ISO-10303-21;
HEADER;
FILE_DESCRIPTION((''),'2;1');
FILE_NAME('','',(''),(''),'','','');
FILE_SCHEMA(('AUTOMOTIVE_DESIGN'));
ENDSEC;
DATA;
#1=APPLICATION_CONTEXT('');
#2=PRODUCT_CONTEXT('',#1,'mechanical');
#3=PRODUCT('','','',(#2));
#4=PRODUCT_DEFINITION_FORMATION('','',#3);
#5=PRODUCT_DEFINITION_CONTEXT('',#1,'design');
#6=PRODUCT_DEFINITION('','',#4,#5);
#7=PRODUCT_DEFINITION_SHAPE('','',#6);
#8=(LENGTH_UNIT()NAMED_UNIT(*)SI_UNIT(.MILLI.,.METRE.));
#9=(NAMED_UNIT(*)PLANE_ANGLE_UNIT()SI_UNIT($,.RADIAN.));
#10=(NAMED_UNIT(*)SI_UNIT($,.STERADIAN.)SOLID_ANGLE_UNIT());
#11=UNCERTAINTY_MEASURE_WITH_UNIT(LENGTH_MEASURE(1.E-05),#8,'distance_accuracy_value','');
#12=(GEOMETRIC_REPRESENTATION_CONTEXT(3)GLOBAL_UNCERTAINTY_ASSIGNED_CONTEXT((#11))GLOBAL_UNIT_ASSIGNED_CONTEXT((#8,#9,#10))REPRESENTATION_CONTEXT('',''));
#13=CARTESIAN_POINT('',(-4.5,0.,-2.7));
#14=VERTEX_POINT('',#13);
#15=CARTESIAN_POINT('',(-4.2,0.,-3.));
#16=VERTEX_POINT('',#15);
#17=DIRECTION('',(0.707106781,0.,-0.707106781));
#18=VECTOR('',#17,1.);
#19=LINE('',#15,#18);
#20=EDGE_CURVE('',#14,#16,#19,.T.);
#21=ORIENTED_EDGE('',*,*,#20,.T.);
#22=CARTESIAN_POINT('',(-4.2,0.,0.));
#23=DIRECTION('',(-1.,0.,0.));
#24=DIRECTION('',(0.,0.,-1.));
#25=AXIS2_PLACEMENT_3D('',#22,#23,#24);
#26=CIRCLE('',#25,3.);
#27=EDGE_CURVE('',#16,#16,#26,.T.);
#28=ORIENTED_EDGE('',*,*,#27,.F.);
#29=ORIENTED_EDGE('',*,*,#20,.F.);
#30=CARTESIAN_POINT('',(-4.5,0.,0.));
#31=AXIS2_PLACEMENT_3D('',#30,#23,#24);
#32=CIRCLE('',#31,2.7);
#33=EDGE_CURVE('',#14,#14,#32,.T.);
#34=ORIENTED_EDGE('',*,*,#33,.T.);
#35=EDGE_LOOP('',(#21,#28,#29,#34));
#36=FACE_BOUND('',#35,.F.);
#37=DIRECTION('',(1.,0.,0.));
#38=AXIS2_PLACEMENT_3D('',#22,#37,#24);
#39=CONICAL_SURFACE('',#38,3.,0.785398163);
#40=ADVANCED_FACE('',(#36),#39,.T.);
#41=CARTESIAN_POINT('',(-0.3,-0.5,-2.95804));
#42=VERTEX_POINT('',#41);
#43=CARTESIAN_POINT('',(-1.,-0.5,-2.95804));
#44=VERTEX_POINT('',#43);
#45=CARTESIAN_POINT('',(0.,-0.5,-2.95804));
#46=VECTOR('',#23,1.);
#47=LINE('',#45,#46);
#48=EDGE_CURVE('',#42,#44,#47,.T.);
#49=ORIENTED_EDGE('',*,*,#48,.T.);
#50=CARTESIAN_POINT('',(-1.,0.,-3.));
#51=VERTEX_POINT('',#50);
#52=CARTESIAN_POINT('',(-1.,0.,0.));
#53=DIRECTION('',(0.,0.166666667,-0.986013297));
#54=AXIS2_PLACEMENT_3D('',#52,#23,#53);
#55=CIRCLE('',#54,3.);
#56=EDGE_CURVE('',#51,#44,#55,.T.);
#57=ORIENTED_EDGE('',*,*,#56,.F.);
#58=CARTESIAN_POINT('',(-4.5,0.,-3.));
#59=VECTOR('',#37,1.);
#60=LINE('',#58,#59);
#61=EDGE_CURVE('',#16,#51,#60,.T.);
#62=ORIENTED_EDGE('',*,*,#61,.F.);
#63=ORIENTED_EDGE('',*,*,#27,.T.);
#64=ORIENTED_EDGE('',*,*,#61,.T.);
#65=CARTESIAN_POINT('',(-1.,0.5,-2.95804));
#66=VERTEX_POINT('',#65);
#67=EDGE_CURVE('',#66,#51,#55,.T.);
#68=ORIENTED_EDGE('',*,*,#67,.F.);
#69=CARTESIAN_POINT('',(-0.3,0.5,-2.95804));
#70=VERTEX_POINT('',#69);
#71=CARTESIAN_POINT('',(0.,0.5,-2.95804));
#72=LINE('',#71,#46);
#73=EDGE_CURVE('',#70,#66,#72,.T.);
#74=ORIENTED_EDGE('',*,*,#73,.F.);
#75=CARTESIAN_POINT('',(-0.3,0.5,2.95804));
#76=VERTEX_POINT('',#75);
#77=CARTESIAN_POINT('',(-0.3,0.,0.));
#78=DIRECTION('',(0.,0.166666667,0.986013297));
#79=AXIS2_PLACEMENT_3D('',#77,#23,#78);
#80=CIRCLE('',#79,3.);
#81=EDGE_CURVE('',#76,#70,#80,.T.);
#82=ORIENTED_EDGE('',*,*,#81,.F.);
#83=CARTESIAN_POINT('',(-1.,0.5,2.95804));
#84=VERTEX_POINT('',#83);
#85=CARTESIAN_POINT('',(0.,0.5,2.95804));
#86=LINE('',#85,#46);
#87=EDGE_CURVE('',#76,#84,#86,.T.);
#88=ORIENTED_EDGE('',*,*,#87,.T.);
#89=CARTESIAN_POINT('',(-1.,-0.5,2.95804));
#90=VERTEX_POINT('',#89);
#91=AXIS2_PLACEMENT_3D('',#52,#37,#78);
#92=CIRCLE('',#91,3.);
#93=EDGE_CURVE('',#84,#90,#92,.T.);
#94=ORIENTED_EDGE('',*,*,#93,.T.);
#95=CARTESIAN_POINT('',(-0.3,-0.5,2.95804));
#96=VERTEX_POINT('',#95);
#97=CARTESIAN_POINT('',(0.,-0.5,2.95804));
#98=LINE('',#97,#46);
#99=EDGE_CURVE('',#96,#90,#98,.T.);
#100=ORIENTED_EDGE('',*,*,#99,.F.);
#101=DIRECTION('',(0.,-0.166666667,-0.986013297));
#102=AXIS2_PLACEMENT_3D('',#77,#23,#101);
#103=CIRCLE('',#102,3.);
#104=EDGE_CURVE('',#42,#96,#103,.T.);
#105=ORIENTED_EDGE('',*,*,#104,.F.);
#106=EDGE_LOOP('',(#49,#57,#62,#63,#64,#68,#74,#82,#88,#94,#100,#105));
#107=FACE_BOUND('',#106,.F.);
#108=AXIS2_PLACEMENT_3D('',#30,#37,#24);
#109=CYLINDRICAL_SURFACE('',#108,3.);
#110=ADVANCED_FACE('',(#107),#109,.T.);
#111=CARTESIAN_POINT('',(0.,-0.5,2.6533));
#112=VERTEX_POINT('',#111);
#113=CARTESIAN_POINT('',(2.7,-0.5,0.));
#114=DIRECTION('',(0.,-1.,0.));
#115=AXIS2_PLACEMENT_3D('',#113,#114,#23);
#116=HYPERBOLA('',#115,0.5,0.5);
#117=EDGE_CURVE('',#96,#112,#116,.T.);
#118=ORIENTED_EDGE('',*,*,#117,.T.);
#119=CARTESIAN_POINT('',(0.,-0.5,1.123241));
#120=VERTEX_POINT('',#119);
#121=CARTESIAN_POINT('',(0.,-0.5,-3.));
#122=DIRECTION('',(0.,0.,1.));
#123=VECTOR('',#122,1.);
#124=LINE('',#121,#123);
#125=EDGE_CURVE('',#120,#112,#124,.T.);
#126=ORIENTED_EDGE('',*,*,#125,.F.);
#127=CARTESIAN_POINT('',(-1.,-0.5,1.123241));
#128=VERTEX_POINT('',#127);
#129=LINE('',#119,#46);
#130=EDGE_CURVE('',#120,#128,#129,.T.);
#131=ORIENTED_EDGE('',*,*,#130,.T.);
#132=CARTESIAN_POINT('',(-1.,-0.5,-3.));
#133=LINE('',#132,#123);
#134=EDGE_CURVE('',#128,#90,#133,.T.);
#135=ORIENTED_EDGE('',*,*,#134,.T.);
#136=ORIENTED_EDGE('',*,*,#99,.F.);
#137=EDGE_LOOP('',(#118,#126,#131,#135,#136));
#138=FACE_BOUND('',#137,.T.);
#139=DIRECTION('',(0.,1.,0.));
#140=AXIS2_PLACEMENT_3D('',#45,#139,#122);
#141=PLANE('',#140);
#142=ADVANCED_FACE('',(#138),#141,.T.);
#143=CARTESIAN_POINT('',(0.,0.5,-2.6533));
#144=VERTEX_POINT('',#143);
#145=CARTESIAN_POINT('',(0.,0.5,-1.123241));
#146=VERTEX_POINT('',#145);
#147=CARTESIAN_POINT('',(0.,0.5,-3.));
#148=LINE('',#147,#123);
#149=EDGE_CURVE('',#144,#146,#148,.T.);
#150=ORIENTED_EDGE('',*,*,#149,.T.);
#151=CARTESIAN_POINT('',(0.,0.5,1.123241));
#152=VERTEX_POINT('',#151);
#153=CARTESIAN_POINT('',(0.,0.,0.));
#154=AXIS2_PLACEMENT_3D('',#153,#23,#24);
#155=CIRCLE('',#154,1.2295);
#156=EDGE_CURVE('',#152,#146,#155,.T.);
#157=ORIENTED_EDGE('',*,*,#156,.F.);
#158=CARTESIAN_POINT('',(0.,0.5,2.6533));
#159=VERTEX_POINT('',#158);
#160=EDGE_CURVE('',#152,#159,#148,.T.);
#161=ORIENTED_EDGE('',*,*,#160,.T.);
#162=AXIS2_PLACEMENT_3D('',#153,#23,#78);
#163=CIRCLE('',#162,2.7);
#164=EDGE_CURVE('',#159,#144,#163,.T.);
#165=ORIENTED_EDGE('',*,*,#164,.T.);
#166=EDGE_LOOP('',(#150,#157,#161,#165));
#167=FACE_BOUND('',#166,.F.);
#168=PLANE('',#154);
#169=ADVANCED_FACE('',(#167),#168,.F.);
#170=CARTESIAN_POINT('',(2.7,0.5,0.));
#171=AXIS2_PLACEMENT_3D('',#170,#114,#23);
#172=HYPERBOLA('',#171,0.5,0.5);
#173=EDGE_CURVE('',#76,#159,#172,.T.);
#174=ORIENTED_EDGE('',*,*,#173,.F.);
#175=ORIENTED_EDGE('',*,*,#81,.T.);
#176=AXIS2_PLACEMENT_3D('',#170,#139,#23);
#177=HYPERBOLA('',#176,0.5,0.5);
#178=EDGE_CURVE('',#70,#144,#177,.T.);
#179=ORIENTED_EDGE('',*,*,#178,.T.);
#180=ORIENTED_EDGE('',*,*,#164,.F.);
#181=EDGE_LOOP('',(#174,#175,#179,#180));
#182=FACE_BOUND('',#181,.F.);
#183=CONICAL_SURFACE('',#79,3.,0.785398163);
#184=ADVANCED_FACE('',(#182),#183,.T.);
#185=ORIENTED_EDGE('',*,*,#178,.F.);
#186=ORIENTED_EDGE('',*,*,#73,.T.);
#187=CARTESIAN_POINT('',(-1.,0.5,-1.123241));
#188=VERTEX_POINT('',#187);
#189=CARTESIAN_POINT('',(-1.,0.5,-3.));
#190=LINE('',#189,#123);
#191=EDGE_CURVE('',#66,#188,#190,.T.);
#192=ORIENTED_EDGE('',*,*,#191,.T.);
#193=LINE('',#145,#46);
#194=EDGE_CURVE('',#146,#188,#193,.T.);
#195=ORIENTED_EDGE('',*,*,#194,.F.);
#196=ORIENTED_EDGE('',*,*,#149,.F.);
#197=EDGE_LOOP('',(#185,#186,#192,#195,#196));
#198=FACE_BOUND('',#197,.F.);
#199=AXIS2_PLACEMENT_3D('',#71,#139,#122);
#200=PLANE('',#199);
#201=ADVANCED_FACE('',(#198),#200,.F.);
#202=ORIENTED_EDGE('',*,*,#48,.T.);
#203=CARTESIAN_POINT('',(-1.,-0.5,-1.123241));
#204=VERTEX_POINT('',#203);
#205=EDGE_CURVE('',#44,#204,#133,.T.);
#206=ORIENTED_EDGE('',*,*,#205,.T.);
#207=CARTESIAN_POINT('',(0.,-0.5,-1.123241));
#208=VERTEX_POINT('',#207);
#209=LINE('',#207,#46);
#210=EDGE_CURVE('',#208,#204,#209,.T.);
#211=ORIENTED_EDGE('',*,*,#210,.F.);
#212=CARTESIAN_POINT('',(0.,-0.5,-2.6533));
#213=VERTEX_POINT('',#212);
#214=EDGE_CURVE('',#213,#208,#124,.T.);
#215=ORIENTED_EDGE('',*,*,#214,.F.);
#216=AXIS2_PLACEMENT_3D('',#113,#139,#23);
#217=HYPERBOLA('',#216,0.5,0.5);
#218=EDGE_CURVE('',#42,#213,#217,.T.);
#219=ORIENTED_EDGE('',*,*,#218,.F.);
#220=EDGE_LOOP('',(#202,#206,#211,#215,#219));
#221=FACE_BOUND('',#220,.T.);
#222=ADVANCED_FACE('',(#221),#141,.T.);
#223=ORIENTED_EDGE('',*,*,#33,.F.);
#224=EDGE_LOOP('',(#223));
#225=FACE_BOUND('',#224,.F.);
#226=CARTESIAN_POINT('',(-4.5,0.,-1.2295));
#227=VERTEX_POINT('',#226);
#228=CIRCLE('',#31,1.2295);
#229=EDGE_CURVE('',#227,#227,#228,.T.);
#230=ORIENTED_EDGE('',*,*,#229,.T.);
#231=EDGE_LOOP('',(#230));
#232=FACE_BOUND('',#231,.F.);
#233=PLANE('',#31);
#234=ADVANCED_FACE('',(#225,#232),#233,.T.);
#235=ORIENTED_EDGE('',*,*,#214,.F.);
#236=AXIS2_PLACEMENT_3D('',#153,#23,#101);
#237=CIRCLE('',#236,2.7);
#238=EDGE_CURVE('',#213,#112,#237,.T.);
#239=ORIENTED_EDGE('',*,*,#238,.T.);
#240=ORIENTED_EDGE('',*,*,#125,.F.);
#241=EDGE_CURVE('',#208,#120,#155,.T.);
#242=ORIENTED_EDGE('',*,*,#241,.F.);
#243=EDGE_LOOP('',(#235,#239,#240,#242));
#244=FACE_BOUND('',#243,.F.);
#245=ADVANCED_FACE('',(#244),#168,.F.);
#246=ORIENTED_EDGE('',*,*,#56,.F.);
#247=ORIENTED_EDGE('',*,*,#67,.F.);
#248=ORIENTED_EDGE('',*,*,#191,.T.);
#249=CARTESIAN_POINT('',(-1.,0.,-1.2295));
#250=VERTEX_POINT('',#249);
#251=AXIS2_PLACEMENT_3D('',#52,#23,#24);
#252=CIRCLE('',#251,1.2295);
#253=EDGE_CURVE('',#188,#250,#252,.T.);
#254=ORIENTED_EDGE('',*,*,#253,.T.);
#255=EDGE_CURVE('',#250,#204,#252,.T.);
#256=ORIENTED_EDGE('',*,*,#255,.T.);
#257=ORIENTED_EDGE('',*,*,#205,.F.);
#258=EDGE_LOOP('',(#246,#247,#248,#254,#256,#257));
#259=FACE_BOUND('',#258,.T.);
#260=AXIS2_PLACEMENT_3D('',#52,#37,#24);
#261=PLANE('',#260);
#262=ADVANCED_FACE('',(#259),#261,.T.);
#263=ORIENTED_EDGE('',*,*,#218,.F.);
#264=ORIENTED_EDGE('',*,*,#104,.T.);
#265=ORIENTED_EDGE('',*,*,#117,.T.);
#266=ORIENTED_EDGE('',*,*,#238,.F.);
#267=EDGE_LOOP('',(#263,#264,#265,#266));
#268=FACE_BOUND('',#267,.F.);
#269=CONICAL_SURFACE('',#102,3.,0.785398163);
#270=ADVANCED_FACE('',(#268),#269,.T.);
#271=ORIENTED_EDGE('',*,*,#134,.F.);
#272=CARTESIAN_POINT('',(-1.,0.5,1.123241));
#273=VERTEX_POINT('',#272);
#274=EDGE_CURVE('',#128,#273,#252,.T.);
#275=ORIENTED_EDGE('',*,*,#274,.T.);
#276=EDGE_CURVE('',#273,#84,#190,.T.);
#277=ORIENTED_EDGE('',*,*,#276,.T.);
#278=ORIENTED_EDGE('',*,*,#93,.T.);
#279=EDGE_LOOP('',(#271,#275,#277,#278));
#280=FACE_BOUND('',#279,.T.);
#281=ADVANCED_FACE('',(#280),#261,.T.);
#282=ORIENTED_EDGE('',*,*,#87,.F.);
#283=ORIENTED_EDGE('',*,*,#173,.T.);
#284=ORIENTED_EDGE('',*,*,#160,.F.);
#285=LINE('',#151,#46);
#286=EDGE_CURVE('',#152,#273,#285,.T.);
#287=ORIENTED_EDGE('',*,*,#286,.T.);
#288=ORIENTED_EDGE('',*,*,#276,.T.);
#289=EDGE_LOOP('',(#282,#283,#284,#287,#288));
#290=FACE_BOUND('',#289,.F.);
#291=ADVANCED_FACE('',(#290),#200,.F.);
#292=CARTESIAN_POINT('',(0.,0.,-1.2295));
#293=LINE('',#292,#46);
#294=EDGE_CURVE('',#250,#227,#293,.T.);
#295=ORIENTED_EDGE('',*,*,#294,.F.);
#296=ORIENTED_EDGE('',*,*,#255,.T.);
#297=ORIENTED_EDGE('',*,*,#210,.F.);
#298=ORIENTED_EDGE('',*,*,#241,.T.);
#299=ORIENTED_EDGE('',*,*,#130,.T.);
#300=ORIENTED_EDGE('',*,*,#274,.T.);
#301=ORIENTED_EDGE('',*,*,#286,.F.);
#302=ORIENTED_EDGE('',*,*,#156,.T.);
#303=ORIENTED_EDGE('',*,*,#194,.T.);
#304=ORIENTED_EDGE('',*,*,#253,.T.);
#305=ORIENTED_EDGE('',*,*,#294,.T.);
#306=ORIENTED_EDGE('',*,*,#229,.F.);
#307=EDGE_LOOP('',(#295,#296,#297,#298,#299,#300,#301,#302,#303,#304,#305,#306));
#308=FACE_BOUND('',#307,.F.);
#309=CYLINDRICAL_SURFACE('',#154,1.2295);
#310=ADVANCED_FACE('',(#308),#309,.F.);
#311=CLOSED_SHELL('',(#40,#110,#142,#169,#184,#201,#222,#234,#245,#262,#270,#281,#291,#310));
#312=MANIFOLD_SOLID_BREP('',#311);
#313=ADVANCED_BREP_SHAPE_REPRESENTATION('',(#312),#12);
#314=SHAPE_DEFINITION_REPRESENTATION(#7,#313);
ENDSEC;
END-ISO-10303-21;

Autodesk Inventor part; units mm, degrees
ref_plane "YZ Plane" through (0, 0, 0) normal (1, 0, 0) x (0, 1, 0)
ref_plane "XZ Plane" through (0, 0, 0) normal (0, 1, 0) x (-1, 0, 0)
ref_plane "XY Plane" through (0, 0, 0) normal (0, 0, 1) x (1, 0, 0)
sketch "スケッチ1" plane through (0, 0, 0) normal (0, 1, 0) x (-1, 0, 0)
  line L0 (0, 0) -> (4.5, 0)
  line L1 (4.5, 0) -> (4.5, -3)
  line L2 (4.5, -3) -> (0, -3)
  line L3 (0, -3) -> (0, 0)
  dimension "d0" = 4.5
  dimension "d1" = 3
revolve "回転1" add sketch "スケッチ1" angle 360 about axis through (0, 0, 0) along (-1, 0, 0)
sketch "スケッチ2" plane through (0, 0, 0) normal (1, 0, 0) x (0, 0, -1)
  point P0 (0, 0)
  point P1 (0, 0)
hole "穴1" at (0, 0, 0) direction (-1, 0, 0) diameter 2.459 end through all thread size "M3x0.5" class "6H" standard "ANSI Metric M Profile"
sketch "スケッチ3" plane through (0, 0, 0) normal (1, 0, 0) x (0, 0, -1)
  circle A0 centre (0, 0) radius 3 projected
  line L0 (3, 0) -> (-3, 0)
  line L1 (3, -0.5) -> (-3, -0.5)
  line L2 (3, 0.5) -> (-3, 0.5)
  line L3 (3, 0.5) -> (3, -0.5)
  line L4 (-3, 0.5) -> (-3, -0.5)
  point P0 (-2.958, -0.5)
  point P1 (2.958, -0.5)
  point P2 (2.958, 0.5)
  point P3 (-2.958, 0.5)
  dimension "d10" = 0.5
extrude "押し出し1" cut sketch "スケッチ3" against normal blind 1 contours L0 A0 L2 | A0 L1 L0
chamfer "面取り1" distance 0.3 angle 45 3 edges at (-4.5, 0, 3) (0, 3, 0) (0, -3, 0)
properties part number "ARU-304_5S" material "ステンレス鋼 AISI 304"
